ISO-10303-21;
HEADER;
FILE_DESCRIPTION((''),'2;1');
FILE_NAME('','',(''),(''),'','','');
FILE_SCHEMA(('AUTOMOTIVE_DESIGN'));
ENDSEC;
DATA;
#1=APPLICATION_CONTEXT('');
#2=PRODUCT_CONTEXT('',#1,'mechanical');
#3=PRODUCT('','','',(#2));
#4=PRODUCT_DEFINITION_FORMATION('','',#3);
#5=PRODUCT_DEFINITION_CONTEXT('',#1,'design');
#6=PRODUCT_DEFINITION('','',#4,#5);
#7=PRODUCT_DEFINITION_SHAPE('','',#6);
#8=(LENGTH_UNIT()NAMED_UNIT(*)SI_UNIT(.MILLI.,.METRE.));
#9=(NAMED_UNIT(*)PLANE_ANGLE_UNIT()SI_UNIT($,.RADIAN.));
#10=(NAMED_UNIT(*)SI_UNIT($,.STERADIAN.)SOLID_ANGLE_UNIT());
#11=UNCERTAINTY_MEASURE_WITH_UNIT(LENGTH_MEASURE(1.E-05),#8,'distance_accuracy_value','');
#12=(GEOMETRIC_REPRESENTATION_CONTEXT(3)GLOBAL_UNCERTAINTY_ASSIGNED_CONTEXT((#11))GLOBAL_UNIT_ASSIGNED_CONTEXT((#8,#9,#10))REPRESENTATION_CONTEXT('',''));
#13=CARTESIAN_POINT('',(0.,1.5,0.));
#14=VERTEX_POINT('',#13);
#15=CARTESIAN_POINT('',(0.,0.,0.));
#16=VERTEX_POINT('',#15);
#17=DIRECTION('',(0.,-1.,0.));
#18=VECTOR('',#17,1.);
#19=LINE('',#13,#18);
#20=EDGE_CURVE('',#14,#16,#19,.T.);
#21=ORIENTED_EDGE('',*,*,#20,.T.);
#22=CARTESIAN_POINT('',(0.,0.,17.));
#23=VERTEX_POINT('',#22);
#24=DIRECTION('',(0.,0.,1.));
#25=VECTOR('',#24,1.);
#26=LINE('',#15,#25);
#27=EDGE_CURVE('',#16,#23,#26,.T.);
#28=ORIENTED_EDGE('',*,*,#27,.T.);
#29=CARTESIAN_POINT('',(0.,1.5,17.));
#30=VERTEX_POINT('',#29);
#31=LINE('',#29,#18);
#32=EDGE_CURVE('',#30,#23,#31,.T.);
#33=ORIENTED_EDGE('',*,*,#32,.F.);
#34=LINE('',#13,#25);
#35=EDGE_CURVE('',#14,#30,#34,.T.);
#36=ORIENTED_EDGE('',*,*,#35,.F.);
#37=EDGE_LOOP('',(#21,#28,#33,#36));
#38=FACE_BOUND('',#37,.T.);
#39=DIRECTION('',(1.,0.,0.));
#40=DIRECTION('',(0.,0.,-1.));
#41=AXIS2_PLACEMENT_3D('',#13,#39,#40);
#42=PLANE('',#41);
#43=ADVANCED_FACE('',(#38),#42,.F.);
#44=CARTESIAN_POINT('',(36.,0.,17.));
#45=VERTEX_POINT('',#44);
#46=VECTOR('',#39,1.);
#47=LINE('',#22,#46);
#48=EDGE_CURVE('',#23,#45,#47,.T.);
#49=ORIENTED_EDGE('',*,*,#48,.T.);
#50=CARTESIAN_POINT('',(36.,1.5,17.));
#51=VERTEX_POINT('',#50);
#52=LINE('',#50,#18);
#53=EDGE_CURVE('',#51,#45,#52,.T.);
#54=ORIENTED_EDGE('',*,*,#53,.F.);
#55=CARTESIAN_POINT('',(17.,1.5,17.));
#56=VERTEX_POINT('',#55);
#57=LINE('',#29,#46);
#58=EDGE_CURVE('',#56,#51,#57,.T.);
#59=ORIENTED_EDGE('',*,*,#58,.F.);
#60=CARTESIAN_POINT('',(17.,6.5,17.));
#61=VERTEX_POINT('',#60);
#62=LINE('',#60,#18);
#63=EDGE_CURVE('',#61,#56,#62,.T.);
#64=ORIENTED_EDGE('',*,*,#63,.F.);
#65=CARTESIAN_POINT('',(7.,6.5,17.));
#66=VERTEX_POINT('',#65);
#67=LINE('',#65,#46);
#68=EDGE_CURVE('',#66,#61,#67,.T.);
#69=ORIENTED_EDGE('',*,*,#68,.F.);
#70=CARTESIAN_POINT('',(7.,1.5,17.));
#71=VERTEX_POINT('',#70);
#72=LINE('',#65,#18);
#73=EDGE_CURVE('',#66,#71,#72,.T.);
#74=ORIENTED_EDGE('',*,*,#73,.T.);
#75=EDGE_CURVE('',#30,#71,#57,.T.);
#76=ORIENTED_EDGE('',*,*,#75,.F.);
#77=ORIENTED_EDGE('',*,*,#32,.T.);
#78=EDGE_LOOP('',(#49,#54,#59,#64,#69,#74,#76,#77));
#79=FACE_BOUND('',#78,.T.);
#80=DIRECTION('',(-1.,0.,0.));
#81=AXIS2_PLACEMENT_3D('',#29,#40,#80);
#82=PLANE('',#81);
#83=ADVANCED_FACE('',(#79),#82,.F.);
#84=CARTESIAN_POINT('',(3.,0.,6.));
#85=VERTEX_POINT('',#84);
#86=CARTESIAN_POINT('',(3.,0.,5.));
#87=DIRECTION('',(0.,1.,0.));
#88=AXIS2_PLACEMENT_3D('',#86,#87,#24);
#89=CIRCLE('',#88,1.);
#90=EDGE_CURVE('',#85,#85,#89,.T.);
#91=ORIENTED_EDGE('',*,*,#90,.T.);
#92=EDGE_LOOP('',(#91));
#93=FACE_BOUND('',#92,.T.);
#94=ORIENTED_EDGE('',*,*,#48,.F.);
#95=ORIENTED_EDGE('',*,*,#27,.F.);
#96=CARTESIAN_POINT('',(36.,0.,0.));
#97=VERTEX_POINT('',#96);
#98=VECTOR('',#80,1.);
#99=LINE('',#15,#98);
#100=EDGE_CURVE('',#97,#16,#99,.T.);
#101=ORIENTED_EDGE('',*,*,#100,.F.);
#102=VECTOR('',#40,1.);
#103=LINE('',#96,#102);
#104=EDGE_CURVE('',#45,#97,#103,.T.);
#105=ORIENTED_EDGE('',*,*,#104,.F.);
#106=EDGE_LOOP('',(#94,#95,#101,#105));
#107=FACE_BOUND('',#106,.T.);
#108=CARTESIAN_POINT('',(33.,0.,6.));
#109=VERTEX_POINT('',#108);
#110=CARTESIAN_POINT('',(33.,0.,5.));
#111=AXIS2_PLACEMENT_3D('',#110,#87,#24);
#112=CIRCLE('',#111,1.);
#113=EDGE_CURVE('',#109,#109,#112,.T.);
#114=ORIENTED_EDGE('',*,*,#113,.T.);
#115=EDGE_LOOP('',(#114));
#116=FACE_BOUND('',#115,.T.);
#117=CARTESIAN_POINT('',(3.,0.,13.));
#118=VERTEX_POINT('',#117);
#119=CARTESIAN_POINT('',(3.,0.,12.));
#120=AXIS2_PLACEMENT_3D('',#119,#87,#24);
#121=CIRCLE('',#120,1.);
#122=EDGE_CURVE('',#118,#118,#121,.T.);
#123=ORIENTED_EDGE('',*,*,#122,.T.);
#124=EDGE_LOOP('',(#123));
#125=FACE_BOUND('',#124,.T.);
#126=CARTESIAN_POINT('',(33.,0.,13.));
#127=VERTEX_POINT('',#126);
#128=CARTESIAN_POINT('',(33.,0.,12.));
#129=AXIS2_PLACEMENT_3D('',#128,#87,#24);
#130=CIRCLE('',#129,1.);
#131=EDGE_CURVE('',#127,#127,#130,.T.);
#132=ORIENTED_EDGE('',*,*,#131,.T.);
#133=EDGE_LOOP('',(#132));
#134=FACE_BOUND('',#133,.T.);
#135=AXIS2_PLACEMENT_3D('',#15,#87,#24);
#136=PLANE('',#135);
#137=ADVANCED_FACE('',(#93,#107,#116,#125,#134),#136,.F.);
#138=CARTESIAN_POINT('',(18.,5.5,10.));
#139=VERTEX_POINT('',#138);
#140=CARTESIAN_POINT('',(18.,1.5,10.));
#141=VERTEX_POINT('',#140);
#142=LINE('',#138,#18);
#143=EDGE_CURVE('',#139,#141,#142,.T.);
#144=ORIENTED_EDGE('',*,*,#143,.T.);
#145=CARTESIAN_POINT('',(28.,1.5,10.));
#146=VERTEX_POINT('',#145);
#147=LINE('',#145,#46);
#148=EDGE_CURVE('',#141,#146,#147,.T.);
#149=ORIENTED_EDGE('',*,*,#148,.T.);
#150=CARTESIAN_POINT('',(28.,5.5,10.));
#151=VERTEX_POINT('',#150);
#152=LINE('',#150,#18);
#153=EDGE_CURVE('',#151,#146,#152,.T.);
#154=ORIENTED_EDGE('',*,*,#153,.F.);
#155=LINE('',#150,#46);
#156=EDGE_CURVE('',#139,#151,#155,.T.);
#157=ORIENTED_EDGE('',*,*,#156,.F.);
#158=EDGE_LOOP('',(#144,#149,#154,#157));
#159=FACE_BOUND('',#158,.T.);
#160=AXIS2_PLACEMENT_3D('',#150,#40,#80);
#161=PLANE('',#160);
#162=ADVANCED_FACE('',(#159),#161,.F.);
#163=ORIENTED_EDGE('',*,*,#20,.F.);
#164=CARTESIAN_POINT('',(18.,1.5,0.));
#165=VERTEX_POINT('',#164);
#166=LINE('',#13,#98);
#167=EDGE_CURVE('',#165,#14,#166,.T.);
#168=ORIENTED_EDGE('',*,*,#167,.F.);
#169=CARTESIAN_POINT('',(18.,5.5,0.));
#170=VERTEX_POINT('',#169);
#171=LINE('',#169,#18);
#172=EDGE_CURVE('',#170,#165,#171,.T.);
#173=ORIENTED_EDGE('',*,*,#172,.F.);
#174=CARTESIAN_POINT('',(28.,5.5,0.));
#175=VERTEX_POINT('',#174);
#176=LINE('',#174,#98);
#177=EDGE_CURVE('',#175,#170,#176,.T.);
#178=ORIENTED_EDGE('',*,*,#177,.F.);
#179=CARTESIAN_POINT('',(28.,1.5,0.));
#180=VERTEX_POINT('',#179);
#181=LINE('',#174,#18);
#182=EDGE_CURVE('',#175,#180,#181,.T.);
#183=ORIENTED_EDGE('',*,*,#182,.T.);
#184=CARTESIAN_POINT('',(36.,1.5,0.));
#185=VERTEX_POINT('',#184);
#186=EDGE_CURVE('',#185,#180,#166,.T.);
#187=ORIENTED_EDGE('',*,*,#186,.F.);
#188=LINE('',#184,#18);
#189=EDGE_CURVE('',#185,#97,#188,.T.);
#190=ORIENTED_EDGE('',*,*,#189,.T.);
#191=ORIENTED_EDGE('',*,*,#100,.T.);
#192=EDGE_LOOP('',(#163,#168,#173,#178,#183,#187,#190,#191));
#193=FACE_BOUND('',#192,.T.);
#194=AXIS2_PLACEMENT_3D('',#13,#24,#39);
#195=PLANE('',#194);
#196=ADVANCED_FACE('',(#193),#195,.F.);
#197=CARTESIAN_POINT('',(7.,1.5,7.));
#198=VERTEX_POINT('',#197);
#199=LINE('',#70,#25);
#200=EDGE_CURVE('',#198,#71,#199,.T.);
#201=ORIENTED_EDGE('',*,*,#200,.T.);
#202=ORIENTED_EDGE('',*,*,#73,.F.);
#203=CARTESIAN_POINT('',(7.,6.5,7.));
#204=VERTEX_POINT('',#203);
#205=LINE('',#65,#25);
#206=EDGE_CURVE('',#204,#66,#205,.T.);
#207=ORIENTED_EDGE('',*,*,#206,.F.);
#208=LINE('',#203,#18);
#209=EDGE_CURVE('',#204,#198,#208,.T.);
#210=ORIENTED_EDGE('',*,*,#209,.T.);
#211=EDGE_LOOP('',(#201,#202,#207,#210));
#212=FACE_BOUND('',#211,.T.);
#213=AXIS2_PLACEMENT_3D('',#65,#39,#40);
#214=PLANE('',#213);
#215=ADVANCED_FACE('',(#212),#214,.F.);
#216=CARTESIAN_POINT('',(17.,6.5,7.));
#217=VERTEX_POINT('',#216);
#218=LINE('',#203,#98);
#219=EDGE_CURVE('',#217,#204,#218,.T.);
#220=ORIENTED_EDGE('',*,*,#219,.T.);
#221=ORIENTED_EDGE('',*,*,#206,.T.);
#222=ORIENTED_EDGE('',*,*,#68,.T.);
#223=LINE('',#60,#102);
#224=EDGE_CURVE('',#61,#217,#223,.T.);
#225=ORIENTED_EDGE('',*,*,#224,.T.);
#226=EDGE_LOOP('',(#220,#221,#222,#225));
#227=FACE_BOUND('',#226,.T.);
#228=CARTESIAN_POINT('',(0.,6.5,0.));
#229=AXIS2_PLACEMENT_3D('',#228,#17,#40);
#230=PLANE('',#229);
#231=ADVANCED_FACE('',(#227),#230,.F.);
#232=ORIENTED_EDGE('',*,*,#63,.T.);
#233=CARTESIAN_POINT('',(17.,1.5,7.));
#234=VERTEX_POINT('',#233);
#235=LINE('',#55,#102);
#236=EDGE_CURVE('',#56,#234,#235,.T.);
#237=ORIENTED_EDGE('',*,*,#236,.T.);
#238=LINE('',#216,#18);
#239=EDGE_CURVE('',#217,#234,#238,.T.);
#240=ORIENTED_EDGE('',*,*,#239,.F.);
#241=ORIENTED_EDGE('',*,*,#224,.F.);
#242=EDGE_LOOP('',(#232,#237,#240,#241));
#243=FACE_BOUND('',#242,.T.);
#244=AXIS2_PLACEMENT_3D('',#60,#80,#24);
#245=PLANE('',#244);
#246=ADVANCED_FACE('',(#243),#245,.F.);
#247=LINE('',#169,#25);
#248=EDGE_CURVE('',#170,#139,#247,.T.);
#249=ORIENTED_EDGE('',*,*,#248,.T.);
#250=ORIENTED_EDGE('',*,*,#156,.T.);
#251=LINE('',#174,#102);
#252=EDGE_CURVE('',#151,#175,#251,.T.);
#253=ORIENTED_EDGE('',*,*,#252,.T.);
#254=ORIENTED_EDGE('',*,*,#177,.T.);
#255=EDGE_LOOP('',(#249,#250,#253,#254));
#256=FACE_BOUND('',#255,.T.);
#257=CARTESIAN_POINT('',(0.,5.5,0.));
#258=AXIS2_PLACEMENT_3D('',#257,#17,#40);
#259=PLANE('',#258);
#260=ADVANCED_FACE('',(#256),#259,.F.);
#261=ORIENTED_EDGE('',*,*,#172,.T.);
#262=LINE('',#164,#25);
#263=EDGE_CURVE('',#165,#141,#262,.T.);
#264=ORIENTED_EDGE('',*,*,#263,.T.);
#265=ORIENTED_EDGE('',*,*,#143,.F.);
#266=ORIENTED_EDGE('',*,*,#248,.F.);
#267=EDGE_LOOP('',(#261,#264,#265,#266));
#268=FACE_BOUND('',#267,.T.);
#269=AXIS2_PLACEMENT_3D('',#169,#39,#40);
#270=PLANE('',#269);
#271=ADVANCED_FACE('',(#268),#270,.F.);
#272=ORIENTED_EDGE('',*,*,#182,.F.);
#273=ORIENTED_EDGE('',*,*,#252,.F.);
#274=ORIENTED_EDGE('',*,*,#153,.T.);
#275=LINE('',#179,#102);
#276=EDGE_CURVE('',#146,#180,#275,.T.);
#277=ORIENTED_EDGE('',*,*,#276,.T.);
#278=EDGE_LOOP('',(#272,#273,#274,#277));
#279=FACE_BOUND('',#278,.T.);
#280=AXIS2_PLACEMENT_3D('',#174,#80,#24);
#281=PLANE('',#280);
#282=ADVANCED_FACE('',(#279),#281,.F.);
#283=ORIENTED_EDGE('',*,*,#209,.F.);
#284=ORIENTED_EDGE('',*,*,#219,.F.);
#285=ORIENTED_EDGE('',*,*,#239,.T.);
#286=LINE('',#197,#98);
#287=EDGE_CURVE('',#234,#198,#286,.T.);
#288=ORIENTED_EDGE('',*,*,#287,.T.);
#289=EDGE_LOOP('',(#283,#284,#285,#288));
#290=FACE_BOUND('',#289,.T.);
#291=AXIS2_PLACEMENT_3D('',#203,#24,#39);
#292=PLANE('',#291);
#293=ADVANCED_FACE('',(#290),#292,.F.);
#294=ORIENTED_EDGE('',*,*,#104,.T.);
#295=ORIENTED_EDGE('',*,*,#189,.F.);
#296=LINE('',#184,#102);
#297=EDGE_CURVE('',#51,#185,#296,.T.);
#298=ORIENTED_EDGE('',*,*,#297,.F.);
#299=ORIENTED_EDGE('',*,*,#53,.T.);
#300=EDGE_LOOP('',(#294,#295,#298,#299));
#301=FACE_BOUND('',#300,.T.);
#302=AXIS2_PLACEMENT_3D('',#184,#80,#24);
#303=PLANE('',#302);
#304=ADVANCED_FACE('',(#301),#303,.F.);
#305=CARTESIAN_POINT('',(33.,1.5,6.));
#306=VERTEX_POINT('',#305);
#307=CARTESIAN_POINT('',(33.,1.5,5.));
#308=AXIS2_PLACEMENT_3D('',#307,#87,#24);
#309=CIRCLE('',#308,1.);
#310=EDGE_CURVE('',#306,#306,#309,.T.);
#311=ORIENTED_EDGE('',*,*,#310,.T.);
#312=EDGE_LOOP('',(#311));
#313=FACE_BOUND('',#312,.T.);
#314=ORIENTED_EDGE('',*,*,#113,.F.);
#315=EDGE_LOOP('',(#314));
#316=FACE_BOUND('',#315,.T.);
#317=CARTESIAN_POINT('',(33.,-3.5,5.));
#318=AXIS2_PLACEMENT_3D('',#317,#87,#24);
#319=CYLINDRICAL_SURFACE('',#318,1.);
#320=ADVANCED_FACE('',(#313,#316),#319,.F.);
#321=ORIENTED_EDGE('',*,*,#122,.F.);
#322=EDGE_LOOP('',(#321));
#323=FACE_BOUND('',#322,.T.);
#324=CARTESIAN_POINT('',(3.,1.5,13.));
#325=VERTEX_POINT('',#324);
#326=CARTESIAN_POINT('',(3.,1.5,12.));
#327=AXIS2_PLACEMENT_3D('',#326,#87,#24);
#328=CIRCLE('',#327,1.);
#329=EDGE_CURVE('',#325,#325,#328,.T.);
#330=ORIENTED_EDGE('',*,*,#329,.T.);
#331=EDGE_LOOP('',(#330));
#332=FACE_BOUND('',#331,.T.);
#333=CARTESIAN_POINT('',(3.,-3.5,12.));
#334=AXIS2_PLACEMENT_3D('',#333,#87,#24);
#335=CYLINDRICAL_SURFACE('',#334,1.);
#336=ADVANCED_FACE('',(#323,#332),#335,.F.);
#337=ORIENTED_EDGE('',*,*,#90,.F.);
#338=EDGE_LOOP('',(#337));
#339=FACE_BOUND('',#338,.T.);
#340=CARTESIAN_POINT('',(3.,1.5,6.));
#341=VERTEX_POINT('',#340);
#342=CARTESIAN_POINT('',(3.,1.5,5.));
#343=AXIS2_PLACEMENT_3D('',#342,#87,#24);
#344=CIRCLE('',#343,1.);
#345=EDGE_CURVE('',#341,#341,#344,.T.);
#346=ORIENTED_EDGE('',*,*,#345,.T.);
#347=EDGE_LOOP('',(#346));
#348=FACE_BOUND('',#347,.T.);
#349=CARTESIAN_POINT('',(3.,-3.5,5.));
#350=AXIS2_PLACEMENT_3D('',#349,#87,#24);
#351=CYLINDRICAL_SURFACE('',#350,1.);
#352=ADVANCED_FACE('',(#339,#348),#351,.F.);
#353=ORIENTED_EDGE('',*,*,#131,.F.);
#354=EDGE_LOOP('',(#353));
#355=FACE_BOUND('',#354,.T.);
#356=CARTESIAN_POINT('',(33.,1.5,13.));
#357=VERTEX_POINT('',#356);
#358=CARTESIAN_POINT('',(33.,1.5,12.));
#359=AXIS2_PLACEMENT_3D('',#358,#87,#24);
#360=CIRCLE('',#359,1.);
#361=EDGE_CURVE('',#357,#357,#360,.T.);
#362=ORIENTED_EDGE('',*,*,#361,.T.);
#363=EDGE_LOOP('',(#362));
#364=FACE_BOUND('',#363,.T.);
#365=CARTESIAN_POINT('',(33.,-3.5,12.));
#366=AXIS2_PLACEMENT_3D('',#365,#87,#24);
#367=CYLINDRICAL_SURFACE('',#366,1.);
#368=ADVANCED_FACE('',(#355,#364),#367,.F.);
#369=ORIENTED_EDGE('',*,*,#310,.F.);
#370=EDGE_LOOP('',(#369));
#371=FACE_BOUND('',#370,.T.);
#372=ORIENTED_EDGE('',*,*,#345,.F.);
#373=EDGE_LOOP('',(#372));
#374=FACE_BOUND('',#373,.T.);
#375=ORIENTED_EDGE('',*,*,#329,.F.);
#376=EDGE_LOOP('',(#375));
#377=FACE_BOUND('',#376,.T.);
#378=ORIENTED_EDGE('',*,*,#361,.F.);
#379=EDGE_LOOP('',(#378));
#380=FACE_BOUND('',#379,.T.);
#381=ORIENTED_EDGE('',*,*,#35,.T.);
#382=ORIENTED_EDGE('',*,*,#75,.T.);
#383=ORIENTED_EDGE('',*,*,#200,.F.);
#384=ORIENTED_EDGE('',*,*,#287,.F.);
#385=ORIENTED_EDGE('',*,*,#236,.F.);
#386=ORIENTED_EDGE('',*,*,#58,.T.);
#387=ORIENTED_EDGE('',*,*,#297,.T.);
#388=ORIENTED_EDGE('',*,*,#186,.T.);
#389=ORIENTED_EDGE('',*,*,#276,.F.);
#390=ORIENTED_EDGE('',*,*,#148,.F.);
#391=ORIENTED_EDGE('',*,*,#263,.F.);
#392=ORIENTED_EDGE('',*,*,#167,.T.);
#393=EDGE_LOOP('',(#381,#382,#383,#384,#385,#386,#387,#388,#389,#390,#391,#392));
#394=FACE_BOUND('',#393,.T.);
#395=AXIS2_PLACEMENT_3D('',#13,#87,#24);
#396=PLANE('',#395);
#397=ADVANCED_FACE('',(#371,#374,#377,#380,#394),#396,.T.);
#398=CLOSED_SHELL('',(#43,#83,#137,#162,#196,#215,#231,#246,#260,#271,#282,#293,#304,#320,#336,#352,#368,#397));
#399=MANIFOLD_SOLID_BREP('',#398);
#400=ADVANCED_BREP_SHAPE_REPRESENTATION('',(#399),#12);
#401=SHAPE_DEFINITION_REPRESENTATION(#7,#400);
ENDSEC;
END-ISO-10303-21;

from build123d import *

# Parameters (mm, degrees)
SKETCH1_W                 = 36
SKETCH1_H                 = 17
BOSS_EXTRUDE1_DEPTH       = 1.5
SKETCH2_W                 = 10
SKETCH2_H                 = 10
BOSS_EXTRUDE2_DEPTH       = 4
SKETCH3_W                 = 10
SKETCH3_H                 = 10
BOSS_EXTRUDE3_DEPTH       = 5
SKETCH4_R                 = 1
CUT_EXTRUDE1_DEPTH        = 5
LPATTERN1_COUNT           = 2
LPATTERN1_PITCH           = 7
LPATTERN2_COUNT           = 2
LPATTERN2_PITCH           = 30
LPATTERN2_COPY_1_SKETCH_R = 1
LPATTERN2_COPY_1_DEPTH    = 5


with BuildPart() as part:
    # Sketch1 → Boss-Extrude1 (new body)
    with BuildSketch(Plane(origin=(0, 0, 0), x_dir=(1, 0, 0), z_dir=(0, 1, 0))):
        with Locations((18, -8.5)):
            Rectangle(SKETCH1_W, SKETCH1_H)
    extrude(amount=BOSS_EXTRUDE1_DEPTH)

    # Sketch2 → Boss-Extrude2 (add)
    with BuildSketch(Plane(origin=(0, 1.5, 0), x_dir=(1, 0, 0), z_dir=(0, 1, 0))):
        with Locations((23, -5)):
            Rectangle(SKETCH2_W, SKETCH2_H)
    extrude(amount=BOSS_EXTRUDE2_DEPTH)

    # Sketch3 → Boss-Extrude3 (add)
    with BuildSketch(Plane(origin=(0, 1.5, 0), x_dir=(1, 0, 0), z_dir=(0, 1, 0))):
        with Locations((12, -12)):
            Rectangle(SKETCH3_W, SKETCH3_H)
    extrude(amount=BOSS_EXTRUDE3_DEPTH)

    # Sketch4 → Cut-Extrude1 (cut)
    with BuildSketch(Plane(origin=(0, 1.5, 0), x_dir=(1, 0, 0), z_dir=(0, 1, 0))):
        with Locations(Location((3, -5, 0), (0, 0, 270))):
            Circle(SKETCH4_R)
    cut_extrude1 = extrude(amount=-CUT_EXTRUDE1_DEPTH, mode=Mode.SUBTRACT)

    # LPattern1: Cut-Extrude1 ×2
    with Locations(*[(0, 0, i * LPATTERN1_PITCH) for i in range(1, LPATTERN1_COUNT)]):
        add(cut_extrude1, mode=Mode.SUBTRACT)

    # LPattern2: Cut-Extrude1 ×2
    with Locations(*[(i * LPATTERN2_PITCH, 0, 0) for i in range(1, LPATTERN2_COUNT)]):
        add(cut_extrude1, mode=Mode.SUBTRACT)

    # LPattern2 copy 1 sketch → LPattern2 copy 1 (cut)
    with BuildSketch(Plane(origin=(30, 1.5, 7), x_dir=(1, 0, 0), z_dir=(0, 1, 0))):
        with Locations(Location((3, -5, 0), (0, 0, 270))):
            Circle(LPATTERN2_COPY_1_SKETCH_R)
    extrude(amount=-LPATTERN2_COPY_1_DEPTH, mode=Mode.SUBTRACT)


solid = part.part
